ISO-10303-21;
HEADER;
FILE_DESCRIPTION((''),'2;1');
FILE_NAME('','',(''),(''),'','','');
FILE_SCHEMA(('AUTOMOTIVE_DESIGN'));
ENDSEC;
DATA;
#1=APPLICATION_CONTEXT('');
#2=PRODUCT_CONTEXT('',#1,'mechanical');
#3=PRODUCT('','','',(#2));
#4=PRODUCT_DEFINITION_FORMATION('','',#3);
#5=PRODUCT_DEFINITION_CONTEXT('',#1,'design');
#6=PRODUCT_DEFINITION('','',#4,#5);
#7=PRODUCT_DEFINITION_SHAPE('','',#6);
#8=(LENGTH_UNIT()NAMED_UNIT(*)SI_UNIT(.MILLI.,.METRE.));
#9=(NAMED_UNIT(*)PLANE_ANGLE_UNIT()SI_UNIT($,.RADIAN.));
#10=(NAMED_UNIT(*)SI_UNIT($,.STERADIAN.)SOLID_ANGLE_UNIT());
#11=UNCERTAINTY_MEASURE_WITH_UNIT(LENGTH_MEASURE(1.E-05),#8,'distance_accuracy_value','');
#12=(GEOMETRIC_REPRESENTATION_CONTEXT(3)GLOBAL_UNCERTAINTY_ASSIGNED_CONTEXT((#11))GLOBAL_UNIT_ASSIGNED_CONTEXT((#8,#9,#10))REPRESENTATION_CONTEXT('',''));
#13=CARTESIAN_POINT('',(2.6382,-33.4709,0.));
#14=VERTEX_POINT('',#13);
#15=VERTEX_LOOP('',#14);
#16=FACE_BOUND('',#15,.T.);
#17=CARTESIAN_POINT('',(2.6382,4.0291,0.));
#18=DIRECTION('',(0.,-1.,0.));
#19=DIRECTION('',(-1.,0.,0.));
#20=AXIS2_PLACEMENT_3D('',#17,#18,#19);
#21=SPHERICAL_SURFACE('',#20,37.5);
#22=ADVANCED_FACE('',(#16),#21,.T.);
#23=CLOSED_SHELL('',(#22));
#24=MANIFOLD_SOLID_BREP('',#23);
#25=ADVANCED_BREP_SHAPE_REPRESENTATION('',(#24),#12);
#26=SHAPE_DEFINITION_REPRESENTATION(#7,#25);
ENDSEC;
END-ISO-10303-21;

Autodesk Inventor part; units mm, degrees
ref_plane "YZ Plane" through (0, 0, 0) normal (1, 0, 0) x (0, 1, 0)
ref_plane "XZ Plane" through (0, 0, 0) normal (0, 1, 0) x (-1, 0, 0)
ref_plane "XY Plane" through (0, 0, 0) normal (0, 0, 1) x (1, 0, 0)
sketch "スケッチ1" plane through (0, 0, 0) normal (0, 0, 1) x (1, 0, 0)
  circle A0 centre (2.6382, 4.0291) radius 37.5
  line L0 (2.6382, 41.5291) -> (2.6382, -33.4709)
  point P0 (0, 0)
  dimension "d0" = 75
revolve "回転1" add sketch "スケッチ1" angle 360 about axis through (2.6382, 41.5291, 0) along (0, -1, 0) picked at (-8.6239, -1.3944) contours L0 A0
properties part number "ボール"
